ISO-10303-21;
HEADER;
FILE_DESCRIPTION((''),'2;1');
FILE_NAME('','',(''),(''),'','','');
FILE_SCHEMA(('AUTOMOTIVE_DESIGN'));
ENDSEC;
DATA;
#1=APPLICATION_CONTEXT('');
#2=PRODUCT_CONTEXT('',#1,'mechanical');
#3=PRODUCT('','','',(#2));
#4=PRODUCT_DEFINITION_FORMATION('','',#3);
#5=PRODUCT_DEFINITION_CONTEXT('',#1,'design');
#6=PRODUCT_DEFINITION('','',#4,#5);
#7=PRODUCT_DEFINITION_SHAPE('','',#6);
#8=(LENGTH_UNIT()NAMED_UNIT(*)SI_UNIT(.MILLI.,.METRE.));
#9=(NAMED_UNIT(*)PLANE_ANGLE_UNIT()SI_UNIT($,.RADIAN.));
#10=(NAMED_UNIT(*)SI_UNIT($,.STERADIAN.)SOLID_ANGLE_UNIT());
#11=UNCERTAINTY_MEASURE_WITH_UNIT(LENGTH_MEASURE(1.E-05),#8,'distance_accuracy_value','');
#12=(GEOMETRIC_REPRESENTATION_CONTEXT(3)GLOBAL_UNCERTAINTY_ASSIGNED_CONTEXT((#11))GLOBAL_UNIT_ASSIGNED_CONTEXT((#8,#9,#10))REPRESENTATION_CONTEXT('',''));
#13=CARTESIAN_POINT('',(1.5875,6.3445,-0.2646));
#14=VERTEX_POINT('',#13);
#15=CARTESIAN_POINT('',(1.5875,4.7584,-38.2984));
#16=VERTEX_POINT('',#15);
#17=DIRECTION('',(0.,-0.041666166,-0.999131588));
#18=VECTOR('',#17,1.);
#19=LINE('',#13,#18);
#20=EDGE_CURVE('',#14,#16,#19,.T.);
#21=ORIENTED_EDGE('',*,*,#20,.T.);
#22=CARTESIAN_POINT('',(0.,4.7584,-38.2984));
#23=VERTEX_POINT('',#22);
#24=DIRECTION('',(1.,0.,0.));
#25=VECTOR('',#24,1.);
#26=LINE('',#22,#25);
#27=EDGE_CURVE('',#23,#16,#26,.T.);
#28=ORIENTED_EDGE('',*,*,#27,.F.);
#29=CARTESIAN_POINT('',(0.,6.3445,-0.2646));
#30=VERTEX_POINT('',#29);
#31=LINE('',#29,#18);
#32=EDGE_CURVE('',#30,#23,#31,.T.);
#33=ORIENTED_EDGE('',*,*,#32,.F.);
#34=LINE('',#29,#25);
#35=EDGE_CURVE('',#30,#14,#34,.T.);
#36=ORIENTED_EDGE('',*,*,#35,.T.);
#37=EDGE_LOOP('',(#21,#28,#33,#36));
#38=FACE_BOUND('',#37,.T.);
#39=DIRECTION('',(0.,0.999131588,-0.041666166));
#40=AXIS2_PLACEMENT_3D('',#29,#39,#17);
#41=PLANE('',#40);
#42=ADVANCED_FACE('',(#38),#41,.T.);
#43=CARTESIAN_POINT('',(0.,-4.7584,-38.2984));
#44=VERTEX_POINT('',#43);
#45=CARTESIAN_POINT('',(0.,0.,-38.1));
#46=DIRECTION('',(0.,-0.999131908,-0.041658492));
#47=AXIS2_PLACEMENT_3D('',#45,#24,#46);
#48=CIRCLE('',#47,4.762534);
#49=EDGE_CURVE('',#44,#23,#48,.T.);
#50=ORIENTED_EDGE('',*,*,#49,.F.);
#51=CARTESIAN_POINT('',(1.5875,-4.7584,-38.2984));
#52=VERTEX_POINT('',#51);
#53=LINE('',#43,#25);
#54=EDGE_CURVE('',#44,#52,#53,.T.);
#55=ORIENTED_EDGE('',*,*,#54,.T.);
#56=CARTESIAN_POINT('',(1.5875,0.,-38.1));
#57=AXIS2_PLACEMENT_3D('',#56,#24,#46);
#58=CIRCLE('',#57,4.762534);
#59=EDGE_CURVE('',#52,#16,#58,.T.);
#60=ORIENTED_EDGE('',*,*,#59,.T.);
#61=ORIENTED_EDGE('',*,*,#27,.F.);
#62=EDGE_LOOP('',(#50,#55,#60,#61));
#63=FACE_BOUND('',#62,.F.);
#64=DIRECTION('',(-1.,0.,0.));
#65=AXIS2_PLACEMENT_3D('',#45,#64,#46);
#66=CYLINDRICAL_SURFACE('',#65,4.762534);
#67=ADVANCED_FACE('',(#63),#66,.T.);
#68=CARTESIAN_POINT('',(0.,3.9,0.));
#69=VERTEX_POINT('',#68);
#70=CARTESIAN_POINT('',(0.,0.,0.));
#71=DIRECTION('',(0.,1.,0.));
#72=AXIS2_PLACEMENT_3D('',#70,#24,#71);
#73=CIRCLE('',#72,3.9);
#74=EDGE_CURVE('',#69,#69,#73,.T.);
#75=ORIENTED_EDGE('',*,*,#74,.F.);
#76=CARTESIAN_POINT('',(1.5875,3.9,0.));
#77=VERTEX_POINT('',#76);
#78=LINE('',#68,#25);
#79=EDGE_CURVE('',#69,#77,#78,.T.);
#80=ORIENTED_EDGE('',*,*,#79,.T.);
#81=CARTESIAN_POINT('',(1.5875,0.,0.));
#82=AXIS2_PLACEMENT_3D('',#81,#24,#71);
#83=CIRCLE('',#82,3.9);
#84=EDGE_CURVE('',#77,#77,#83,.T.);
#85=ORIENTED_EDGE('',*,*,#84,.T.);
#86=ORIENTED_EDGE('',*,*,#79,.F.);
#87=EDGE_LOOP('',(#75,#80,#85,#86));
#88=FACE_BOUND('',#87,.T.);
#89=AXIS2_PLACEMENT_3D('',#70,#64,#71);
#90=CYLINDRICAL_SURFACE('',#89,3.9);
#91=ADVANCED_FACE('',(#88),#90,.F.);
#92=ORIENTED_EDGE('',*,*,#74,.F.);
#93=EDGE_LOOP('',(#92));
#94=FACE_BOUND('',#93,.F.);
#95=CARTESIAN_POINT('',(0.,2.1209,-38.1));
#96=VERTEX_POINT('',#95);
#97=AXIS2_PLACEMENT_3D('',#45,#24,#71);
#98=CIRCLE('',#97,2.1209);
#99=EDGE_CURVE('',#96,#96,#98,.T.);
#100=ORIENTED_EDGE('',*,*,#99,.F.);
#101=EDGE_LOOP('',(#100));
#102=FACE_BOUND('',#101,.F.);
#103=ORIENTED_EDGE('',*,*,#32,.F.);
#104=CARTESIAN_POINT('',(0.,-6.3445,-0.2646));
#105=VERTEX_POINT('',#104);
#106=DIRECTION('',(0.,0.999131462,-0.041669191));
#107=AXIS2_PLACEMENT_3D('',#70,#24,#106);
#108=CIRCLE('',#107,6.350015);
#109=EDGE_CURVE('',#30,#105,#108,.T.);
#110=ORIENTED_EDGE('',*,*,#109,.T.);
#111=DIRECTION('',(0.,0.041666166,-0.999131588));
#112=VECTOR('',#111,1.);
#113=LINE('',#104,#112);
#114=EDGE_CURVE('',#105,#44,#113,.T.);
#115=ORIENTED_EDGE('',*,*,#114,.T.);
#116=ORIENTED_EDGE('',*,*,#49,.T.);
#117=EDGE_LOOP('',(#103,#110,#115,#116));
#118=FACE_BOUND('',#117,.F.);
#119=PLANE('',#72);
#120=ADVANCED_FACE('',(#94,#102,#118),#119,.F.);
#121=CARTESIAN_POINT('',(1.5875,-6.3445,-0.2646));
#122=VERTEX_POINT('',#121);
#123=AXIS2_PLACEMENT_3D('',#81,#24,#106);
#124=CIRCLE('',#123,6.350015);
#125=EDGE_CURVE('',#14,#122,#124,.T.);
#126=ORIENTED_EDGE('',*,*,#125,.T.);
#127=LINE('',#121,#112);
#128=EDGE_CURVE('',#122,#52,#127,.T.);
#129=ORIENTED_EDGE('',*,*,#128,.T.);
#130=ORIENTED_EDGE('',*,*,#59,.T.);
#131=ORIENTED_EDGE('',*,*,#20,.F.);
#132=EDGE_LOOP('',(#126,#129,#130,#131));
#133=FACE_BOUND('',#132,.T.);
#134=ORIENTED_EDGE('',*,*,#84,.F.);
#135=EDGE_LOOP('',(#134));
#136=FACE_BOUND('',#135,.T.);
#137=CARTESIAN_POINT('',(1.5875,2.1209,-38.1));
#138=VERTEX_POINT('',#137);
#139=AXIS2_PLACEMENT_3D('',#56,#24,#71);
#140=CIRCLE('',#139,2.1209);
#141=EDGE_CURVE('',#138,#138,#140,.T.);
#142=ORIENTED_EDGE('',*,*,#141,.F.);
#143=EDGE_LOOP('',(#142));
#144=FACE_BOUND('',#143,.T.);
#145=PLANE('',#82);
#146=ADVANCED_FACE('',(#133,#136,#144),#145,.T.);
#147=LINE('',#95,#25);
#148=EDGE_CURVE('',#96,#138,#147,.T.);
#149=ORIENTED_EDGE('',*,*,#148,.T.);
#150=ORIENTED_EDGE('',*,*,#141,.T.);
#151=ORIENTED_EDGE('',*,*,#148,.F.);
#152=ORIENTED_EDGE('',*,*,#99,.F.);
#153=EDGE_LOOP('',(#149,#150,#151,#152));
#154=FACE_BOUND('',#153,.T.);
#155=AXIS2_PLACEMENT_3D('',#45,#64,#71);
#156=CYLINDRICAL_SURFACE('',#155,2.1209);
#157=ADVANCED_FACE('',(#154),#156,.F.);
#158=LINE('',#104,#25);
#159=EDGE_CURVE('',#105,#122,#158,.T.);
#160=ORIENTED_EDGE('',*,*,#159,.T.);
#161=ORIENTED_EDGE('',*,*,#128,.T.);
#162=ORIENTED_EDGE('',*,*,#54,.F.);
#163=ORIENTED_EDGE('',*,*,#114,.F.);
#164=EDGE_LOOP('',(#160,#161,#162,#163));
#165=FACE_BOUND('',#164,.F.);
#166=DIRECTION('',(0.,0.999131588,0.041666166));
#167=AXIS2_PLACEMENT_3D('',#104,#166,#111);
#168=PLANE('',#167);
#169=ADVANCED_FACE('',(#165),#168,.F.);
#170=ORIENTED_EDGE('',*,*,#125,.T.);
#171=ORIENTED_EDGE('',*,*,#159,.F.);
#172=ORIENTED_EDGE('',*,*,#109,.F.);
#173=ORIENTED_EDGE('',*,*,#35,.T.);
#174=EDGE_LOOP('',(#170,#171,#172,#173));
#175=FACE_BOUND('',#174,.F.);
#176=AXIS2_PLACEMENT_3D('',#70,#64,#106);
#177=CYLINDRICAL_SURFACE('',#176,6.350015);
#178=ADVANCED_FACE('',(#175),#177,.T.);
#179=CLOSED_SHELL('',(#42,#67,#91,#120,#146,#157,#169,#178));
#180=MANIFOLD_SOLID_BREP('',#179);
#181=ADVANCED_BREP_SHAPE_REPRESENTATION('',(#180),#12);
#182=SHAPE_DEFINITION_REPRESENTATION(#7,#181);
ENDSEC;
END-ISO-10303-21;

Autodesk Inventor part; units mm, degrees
ref_plane "YZ Plane" through (0, 0, 0) normal (1, 0, 0) x (0, 1, 0)
ref_plane "XZ Plane" through (0, 0, 0) normal (0, 1, 0) x (-1, 0, 0)
ref_plane "XY Plane" through (0, 0, 0) normal (0, 0, 1) x (1, 0, 0)
sketch "Sketch1" plane through (0, 0, 0) normal (1, 0, 0) x (0, 1, 0)
  circle A0 centre (0, 0) radius 3.9
  circle A1 centre (0, -38.1) radius 2.1209
  arc A2 (6.3445, -0.2646) -> (-6.3445, -0.2646) centre (0, 0) ccw
  arc A3 (-4.7584, -38.2984) -> (4.7584, -38.2984) centre (0, -38.1) ccw
  line L0 (6.3445, -0.2646) -> (4.7584, -38.2984)
  line L1 (-6.3445, -0.2646) -> (-4.7584, -38.2984)
  dimension "d0" = 7.8
  dimension "d2" = 4.2418
extrude "Extrusion1" add sketch "Sketch1" along normal blind 1.5875
properties part number "Gearbox Gusset" material "Acetal Resin, White"
